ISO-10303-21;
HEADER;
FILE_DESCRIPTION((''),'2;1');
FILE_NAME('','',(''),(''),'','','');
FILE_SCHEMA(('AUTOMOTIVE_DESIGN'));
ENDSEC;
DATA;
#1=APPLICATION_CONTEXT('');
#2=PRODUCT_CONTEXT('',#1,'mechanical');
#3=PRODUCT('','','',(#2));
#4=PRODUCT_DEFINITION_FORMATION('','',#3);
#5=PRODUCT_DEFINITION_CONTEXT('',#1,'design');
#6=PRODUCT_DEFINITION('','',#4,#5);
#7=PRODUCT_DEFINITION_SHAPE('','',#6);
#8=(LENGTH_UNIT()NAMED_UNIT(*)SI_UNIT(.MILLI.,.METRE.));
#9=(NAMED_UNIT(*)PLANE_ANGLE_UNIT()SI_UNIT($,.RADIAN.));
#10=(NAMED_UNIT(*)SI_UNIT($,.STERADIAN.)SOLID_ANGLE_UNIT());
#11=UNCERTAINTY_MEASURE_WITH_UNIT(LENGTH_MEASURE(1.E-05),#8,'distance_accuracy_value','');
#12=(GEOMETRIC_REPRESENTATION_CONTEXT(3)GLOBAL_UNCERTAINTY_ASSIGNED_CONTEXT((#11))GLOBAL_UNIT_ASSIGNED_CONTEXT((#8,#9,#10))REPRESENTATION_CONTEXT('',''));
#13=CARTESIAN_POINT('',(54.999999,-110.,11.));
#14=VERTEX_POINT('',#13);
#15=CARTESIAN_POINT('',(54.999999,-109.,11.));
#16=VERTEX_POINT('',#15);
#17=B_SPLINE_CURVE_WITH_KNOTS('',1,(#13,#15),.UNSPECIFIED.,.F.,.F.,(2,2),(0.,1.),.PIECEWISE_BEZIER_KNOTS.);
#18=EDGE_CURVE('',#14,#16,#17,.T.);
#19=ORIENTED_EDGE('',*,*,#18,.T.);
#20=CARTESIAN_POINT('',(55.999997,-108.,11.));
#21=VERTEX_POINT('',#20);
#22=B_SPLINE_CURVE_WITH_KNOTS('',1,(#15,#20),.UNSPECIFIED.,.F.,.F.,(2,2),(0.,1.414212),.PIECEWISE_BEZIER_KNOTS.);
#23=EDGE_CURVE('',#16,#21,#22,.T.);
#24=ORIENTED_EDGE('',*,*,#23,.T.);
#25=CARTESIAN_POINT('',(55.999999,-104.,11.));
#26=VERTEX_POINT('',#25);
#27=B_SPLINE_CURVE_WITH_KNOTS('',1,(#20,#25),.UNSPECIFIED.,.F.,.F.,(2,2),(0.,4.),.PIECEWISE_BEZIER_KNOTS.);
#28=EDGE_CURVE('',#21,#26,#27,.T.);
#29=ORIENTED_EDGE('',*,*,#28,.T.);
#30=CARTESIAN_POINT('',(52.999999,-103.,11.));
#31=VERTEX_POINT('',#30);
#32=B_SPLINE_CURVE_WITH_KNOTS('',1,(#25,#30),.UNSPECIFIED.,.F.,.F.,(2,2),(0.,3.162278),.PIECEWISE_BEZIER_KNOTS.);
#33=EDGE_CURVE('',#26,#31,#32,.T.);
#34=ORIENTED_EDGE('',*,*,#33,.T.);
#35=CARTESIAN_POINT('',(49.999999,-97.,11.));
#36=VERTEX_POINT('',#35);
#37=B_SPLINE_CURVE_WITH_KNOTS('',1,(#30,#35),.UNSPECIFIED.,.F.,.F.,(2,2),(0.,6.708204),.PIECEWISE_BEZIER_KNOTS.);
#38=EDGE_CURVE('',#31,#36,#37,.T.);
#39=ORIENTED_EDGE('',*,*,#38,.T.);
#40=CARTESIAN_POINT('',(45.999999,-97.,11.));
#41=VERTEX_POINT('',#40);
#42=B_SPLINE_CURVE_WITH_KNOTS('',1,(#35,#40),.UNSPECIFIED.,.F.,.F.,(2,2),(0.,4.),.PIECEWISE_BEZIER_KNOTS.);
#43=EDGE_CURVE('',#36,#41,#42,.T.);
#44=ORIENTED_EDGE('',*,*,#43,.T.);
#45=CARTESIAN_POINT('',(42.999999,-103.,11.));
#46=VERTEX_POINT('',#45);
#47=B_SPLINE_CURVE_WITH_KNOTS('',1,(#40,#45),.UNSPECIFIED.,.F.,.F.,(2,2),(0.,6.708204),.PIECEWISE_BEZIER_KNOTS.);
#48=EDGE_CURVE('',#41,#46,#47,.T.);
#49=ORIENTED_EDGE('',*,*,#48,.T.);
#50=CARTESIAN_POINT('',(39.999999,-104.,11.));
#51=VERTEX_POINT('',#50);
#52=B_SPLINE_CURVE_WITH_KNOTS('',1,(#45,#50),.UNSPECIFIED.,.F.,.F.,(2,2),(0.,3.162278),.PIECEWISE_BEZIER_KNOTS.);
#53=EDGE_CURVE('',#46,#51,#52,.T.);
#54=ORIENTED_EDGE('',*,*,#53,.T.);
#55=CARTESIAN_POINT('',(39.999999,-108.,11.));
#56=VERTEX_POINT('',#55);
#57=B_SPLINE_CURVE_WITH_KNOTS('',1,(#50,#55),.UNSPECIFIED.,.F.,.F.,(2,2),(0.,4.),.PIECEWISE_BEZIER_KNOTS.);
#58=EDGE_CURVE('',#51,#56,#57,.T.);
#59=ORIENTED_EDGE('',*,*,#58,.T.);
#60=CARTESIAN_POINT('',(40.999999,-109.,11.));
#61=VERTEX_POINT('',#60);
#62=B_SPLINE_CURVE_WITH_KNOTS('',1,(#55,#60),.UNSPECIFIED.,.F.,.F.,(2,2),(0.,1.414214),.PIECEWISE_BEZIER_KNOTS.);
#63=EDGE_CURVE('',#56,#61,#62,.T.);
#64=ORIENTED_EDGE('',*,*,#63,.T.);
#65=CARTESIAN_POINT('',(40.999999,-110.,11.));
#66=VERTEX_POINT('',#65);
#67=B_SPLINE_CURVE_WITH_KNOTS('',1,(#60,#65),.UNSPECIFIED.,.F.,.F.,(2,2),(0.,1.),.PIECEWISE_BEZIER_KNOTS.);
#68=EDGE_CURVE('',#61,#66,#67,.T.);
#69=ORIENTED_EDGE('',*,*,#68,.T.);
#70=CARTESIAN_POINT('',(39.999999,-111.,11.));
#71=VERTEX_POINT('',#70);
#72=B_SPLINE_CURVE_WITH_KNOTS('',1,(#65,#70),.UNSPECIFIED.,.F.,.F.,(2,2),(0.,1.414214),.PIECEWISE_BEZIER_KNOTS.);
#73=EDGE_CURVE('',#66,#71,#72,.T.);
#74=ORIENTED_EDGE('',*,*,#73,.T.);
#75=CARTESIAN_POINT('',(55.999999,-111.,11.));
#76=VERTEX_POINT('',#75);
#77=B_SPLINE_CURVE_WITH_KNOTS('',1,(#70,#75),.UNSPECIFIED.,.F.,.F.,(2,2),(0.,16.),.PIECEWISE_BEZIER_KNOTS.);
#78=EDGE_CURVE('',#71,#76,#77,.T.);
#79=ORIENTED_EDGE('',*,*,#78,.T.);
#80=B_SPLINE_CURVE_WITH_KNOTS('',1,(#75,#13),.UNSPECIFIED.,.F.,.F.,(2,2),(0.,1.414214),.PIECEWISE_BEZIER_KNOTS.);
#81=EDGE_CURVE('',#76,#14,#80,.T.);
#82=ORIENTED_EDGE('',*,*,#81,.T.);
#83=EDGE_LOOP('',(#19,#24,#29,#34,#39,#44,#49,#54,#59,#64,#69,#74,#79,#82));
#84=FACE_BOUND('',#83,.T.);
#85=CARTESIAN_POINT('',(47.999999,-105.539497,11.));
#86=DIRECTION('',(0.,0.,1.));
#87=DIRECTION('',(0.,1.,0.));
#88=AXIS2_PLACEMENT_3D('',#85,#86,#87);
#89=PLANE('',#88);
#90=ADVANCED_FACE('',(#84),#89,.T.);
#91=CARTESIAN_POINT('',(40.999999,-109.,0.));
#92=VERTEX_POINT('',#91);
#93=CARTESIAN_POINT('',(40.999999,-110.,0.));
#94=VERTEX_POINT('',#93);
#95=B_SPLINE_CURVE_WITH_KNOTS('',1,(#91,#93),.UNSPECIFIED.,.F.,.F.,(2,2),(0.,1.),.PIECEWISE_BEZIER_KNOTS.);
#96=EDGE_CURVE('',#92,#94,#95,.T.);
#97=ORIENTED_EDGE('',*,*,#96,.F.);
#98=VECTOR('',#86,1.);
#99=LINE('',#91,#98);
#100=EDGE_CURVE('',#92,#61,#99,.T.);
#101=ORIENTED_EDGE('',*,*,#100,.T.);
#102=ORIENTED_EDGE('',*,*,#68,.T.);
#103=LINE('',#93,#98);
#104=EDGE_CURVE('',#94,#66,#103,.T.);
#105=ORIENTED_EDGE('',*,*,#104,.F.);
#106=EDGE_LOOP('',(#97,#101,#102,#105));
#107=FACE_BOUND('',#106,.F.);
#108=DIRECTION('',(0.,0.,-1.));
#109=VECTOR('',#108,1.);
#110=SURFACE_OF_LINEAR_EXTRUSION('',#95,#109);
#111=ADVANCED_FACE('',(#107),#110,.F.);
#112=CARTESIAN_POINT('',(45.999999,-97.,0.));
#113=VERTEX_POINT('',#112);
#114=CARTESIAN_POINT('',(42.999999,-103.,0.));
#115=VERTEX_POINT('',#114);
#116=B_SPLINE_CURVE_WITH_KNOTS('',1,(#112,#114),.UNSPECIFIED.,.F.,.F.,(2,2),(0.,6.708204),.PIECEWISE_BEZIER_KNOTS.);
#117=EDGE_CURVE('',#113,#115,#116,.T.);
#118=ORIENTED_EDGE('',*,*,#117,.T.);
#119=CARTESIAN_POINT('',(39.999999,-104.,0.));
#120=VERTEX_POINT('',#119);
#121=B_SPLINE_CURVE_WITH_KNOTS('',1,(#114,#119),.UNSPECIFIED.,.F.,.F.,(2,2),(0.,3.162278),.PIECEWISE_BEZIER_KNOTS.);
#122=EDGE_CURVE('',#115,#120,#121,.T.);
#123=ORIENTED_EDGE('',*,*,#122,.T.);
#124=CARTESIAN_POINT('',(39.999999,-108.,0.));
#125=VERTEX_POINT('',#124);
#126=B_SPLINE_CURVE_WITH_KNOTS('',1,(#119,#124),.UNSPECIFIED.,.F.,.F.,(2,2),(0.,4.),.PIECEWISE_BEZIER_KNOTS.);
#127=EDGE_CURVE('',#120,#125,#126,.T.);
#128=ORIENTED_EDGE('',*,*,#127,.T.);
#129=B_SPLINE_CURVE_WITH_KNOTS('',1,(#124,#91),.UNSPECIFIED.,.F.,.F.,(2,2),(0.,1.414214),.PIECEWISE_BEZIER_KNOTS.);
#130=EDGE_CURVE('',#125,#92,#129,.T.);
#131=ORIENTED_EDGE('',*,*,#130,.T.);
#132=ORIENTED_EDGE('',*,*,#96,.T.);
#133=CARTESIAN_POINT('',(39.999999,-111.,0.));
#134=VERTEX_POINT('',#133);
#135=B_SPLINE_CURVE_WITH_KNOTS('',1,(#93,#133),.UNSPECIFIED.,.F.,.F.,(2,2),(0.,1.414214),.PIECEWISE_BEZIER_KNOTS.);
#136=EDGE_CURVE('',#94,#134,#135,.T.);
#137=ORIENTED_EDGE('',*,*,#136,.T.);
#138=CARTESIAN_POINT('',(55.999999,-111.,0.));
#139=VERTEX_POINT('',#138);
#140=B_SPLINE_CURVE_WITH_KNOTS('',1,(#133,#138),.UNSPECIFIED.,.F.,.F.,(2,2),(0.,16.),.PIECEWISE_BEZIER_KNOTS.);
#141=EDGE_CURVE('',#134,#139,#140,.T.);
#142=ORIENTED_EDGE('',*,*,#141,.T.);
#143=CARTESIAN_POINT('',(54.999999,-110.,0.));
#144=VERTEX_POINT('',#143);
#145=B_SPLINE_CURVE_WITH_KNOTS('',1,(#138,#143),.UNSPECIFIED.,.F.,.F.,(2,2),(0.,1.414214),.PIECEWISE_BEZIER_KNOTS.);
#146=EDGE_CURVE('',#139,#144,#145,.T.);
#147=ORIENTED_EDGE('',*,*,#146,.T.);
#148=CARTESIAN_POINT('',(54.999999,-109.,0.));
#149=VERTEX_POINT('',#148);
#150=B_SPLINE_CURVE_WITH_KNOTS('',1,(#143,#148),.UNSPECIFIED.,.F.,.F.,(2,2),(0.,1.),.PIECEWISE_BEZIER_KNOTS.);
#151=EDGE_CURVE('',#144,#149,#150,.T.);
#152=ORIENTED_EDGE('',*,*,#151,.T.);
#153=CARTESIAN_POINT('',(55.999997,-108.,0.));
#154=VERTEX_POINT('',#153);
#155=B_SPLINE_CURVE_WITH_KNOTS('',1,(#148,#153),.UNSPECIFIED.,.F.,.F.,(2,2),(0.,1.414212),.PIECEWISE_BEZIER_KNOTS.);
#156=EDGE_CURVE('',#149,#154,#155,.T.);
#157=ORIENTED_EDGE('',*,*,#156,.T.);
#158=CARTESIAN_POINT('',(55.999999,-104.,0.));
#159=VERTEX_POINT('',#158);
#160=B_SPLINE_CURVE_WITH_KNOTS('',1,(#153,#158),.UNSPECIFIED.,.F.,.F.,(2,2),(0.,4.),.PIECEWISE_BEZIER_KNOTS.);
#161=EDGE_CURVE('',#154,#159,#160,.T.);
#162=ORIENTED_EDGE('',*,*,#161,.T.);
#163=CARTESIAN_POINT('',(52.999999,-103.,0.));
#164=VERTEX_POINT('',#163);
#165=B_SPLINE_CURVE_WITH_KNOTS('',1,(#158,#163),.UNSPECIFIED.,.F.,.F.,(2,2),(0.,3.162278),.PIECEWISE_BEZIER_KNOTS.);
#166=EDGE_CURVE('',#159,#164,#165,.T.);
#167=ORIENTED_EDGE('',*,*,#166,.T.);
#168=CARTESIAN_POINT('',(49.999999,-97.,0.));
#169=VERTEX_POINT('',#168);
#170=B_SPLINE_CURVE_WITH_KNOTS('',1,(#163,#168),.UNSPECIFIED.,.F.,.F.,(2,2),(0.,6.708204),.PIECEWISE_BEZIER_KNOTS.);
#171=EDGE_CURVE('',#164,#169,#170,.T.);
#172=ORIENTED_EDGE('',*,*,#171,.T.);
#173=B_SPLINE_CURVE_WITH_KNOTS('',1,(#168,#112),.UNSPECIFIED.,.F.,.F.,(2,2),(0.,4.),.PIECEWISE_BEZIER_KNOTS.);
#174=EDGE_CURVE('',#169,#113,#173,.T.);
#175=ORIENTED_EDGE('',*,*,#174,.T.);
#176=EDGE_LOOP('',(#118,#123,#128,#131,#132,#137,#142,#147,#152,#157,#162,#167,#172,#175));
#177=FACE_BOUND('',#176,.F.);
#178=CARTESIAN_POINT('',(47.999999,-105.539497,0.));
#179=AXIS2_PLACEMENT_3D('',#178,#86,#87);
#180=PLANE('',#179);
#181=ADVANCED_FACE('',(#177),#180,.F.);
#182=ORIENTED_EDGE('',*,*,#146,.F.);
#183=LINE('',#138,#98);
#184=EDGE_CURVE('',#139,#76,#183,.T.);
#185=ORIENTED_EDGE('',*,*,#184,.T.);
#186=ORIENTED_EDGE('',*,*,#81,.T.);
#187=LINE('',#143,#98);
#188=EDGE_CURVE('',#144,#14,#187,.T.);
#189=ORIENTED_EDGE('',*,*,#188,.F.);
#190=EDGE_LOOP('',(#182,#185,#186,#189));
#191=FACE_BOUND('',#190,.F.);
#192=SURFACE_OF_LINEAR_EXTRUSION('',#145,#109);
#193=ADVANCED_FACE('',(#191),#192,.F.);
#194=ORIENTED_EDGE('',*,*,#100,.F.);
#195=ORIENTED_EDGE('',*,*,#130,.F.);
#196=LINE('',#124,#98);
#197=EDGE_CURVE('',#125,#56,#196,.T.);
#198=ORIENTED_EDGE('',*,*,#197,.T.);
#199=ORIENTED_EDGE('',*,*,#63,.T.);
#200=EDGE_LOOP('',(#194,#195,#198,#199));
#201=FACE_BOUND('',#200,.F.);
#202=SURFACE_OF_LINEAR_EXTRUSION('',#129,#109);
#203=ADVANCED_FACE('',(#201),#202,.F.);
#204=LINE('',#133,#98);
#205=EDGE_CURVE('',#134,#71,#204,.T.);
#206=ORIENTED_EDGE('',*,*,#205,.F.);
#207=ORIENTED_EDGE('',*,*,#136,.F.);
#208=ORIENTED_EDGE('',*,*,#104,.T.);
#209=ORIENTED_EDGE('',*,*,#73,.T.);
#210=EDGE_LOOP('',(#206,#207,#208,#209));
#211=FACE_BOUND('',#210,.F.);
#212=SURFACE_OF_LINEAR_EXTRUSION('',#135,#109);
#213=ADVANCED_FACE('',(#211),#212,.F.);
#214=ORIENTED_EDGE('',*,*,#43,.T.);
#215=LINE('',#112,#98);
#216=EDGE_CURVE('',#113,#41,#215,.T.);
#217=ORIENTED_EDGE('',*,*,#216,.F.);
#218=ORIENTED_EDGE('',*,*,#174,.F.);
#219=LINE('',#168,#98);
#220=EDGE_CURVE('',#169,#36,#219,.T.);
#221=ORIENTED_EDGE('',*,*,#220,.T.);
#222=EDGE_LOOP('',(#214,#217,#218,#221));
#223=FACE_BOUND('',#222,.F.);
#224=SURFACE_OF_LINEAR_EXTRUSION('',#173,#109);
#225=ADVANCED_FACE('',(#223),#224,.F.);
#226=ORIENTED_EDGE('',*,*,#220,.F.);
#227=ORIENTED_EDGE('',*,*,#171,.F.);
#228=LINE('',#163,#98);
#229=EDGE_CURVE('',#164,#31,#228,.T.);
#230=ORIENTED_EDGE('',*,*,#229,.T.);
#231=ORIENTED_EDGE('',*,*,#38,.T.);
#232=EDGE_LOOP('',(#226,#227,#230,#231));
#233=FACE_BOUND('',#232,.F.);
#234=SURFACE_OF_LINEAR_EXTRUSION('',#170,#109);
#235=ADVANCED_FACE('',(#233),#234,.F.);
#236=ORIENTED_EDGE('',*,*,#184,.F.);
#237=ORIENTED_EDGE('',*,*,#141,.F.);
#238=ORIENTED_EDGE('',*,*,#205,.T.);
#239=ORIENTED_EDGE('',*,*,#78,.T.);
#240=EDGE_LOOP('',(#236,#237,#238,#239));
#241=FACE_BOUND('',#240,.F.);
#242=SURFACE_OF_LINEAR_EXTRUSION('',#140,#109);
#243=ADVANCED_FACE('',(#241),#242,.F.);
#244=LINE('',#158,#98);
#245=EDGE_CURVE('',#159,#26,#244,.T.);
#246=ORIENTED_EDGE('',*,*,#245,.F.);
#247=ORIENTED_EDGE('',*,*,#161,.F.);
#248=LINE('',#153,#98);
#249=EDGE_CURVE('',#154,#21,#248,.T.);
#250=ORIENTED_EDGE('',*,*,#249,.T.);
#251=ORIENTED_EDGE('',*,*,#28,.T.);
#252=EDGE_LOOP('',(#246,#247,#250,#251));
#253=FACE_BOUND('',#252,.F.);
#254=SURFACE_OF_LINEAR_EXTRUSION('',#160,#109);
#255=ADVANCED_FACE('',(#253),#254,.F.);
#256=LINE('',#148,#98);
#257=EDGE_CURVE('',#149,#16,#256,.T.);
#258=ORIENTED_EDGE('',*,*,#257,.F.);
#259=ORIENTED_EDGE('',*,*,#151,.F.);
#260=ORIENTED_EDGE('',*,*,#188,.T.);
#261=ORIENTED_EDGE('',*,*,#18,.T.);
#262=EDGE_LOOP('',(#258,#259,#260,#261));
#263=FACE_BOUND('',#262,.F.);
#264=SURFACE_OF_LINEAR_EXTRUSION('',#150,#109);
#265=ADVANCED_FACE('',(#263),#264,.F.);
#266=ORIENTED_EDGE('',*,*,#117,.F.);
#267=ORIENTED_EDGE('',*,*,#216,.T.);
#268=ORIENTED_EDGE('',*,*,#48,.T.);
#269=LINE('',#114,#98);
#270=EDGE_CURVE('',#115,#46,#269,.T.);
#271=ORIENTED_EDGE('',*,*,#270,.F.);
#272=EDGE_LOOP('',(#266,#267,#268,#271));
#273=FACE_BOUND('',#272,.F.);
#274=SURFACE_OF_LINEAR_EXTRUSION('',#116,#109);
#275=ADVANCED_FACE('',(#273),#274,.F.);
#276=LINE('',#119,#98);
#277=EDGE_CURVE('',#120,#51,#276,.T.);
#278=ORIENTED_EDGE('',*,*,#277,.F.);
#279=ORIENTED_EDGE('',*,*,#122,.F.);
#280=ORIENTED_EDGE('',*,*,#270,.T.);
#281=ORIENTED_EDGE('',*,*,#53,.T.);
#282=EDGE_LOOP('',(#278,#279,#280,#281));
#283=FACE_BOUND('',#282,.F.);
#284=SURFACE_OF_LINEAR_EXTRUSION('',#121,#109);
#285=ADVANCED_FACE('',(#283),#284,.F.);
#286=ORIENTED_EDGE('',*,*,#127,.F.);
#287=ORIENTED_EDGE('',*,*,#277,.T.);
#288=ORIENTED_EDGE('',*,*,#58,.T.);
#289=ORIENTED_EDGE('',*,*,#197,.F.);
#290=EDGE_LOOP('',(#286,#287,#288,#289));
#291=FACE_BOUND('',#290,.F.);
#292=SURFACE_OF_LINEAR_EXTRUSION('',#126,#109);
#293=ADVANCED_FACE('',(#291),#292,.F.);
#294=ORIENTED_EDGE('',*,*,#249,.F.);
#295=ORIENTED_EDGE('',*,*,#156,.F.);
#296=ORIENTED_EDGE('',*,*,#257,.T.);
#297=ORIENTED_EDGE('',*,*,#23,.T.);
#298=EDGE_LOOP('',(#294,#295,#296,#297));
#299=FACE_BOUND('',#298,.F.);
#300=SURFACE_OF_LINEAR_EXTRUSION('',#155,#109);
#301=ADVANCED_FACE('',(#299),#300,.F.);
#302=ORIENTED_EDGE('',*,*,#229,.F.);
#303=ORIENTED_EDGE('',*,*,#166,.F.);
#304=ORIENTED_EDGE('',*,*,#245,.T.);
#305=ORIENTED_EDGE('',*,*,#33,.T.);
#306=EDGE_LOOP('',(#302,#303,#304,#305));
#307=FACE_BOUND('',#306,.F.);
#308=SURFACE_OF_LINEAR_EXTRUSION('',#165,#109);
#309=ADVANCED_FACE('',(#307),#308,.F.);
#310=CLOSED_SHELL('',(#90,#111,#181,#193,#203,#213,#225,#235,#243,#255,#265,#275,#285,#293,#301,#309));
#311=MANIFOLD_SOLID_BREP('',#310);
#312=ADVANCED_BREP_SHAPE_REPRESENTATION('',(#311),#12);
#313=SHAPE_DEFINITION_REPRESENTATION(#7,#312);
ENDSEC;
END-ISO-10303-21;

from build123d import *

# Parameters (mm, degrees)
EXTRUDE_DEPTH = 11


with BuildPart() as part:
    # path2076 → Extrude (new body)
    with BuildSketch(Plane(origin=(47.999999, -104, 0), x_dir=(0, 1, 0), z_dir=(0, 0, 1))):
        with BuildLine():
            add(Edge.make_bspline(
                [(-7, -8), (-6, -7)],
                knots=[0, 0, 1.414214, 1.414214], degree=1))
            add(Edge.make_bspline(
                [(-6, -7), (-5, -7)],
                knots=[0, 0, 1, 1], degree=1))
            add(Edge.make_bspline(
                [(-5, -7), (-4, -7.999998)],
                knots=[0, 0, 1.414212, 1.414212], degree=1))
            add(Edge.make_bspline(
                [(-4, -7.999998), (0, -8)],
                knots=[0, 0, 4, 4], degree=1))
            add(Edge.make_bspline(
                [(0, -8), (1, -5)],
                knots=[0, 0, 3.162278, 3.162278], degree=1))
            add(Edge.make_bspline(
                [(1, -5), (7, -2)],
                knots=[0, 0, 6.708204, 6.708204], degree=1))
            add(Edge.make_bspline(
                [(7, -2), (7, 2)],
                knots=[0, 0, 4, 4], degree=1))
            add(Edge.make_bspline(
                [(7, 2), (1, 5)],
                knots=[0, 0, 6.708204, 6.708204], degree=1))
            add(Edge.make_bspline(
                [(1, 5), (0, 8)],
                knots=[0, 0, 3.162278, 3.162278], degree=1))
            add(Edge.make_bspline(
                [(0, 8), (-4, 8)],
                knots=[0, 0, 4, 4], degree=1))
            add(Edge.make_bspline(
                [(-4, 8), (-5, 7)],
                knots=[0, 0, 1.414214, 1.414214], degree=1))
            add(Edge.make_bspline(
                [(-5, 7), (-6, 7)],
                knots=[0, 0, 1, 1], degree=1))
            add(Edge.make_bspline(
                [(-6, 7), (-7, 8)],
                knots=[0, 0, 1.414214, 1.414214], degree=1))
            add(Edge.make_bspline(
                [(-7, 8), (-7, -8)],
                knots=[0, 0, 16, 16], degree=1))
        make_face()
    extrude(amount=EXTRUDE_DEPTH)


solid = part.part
